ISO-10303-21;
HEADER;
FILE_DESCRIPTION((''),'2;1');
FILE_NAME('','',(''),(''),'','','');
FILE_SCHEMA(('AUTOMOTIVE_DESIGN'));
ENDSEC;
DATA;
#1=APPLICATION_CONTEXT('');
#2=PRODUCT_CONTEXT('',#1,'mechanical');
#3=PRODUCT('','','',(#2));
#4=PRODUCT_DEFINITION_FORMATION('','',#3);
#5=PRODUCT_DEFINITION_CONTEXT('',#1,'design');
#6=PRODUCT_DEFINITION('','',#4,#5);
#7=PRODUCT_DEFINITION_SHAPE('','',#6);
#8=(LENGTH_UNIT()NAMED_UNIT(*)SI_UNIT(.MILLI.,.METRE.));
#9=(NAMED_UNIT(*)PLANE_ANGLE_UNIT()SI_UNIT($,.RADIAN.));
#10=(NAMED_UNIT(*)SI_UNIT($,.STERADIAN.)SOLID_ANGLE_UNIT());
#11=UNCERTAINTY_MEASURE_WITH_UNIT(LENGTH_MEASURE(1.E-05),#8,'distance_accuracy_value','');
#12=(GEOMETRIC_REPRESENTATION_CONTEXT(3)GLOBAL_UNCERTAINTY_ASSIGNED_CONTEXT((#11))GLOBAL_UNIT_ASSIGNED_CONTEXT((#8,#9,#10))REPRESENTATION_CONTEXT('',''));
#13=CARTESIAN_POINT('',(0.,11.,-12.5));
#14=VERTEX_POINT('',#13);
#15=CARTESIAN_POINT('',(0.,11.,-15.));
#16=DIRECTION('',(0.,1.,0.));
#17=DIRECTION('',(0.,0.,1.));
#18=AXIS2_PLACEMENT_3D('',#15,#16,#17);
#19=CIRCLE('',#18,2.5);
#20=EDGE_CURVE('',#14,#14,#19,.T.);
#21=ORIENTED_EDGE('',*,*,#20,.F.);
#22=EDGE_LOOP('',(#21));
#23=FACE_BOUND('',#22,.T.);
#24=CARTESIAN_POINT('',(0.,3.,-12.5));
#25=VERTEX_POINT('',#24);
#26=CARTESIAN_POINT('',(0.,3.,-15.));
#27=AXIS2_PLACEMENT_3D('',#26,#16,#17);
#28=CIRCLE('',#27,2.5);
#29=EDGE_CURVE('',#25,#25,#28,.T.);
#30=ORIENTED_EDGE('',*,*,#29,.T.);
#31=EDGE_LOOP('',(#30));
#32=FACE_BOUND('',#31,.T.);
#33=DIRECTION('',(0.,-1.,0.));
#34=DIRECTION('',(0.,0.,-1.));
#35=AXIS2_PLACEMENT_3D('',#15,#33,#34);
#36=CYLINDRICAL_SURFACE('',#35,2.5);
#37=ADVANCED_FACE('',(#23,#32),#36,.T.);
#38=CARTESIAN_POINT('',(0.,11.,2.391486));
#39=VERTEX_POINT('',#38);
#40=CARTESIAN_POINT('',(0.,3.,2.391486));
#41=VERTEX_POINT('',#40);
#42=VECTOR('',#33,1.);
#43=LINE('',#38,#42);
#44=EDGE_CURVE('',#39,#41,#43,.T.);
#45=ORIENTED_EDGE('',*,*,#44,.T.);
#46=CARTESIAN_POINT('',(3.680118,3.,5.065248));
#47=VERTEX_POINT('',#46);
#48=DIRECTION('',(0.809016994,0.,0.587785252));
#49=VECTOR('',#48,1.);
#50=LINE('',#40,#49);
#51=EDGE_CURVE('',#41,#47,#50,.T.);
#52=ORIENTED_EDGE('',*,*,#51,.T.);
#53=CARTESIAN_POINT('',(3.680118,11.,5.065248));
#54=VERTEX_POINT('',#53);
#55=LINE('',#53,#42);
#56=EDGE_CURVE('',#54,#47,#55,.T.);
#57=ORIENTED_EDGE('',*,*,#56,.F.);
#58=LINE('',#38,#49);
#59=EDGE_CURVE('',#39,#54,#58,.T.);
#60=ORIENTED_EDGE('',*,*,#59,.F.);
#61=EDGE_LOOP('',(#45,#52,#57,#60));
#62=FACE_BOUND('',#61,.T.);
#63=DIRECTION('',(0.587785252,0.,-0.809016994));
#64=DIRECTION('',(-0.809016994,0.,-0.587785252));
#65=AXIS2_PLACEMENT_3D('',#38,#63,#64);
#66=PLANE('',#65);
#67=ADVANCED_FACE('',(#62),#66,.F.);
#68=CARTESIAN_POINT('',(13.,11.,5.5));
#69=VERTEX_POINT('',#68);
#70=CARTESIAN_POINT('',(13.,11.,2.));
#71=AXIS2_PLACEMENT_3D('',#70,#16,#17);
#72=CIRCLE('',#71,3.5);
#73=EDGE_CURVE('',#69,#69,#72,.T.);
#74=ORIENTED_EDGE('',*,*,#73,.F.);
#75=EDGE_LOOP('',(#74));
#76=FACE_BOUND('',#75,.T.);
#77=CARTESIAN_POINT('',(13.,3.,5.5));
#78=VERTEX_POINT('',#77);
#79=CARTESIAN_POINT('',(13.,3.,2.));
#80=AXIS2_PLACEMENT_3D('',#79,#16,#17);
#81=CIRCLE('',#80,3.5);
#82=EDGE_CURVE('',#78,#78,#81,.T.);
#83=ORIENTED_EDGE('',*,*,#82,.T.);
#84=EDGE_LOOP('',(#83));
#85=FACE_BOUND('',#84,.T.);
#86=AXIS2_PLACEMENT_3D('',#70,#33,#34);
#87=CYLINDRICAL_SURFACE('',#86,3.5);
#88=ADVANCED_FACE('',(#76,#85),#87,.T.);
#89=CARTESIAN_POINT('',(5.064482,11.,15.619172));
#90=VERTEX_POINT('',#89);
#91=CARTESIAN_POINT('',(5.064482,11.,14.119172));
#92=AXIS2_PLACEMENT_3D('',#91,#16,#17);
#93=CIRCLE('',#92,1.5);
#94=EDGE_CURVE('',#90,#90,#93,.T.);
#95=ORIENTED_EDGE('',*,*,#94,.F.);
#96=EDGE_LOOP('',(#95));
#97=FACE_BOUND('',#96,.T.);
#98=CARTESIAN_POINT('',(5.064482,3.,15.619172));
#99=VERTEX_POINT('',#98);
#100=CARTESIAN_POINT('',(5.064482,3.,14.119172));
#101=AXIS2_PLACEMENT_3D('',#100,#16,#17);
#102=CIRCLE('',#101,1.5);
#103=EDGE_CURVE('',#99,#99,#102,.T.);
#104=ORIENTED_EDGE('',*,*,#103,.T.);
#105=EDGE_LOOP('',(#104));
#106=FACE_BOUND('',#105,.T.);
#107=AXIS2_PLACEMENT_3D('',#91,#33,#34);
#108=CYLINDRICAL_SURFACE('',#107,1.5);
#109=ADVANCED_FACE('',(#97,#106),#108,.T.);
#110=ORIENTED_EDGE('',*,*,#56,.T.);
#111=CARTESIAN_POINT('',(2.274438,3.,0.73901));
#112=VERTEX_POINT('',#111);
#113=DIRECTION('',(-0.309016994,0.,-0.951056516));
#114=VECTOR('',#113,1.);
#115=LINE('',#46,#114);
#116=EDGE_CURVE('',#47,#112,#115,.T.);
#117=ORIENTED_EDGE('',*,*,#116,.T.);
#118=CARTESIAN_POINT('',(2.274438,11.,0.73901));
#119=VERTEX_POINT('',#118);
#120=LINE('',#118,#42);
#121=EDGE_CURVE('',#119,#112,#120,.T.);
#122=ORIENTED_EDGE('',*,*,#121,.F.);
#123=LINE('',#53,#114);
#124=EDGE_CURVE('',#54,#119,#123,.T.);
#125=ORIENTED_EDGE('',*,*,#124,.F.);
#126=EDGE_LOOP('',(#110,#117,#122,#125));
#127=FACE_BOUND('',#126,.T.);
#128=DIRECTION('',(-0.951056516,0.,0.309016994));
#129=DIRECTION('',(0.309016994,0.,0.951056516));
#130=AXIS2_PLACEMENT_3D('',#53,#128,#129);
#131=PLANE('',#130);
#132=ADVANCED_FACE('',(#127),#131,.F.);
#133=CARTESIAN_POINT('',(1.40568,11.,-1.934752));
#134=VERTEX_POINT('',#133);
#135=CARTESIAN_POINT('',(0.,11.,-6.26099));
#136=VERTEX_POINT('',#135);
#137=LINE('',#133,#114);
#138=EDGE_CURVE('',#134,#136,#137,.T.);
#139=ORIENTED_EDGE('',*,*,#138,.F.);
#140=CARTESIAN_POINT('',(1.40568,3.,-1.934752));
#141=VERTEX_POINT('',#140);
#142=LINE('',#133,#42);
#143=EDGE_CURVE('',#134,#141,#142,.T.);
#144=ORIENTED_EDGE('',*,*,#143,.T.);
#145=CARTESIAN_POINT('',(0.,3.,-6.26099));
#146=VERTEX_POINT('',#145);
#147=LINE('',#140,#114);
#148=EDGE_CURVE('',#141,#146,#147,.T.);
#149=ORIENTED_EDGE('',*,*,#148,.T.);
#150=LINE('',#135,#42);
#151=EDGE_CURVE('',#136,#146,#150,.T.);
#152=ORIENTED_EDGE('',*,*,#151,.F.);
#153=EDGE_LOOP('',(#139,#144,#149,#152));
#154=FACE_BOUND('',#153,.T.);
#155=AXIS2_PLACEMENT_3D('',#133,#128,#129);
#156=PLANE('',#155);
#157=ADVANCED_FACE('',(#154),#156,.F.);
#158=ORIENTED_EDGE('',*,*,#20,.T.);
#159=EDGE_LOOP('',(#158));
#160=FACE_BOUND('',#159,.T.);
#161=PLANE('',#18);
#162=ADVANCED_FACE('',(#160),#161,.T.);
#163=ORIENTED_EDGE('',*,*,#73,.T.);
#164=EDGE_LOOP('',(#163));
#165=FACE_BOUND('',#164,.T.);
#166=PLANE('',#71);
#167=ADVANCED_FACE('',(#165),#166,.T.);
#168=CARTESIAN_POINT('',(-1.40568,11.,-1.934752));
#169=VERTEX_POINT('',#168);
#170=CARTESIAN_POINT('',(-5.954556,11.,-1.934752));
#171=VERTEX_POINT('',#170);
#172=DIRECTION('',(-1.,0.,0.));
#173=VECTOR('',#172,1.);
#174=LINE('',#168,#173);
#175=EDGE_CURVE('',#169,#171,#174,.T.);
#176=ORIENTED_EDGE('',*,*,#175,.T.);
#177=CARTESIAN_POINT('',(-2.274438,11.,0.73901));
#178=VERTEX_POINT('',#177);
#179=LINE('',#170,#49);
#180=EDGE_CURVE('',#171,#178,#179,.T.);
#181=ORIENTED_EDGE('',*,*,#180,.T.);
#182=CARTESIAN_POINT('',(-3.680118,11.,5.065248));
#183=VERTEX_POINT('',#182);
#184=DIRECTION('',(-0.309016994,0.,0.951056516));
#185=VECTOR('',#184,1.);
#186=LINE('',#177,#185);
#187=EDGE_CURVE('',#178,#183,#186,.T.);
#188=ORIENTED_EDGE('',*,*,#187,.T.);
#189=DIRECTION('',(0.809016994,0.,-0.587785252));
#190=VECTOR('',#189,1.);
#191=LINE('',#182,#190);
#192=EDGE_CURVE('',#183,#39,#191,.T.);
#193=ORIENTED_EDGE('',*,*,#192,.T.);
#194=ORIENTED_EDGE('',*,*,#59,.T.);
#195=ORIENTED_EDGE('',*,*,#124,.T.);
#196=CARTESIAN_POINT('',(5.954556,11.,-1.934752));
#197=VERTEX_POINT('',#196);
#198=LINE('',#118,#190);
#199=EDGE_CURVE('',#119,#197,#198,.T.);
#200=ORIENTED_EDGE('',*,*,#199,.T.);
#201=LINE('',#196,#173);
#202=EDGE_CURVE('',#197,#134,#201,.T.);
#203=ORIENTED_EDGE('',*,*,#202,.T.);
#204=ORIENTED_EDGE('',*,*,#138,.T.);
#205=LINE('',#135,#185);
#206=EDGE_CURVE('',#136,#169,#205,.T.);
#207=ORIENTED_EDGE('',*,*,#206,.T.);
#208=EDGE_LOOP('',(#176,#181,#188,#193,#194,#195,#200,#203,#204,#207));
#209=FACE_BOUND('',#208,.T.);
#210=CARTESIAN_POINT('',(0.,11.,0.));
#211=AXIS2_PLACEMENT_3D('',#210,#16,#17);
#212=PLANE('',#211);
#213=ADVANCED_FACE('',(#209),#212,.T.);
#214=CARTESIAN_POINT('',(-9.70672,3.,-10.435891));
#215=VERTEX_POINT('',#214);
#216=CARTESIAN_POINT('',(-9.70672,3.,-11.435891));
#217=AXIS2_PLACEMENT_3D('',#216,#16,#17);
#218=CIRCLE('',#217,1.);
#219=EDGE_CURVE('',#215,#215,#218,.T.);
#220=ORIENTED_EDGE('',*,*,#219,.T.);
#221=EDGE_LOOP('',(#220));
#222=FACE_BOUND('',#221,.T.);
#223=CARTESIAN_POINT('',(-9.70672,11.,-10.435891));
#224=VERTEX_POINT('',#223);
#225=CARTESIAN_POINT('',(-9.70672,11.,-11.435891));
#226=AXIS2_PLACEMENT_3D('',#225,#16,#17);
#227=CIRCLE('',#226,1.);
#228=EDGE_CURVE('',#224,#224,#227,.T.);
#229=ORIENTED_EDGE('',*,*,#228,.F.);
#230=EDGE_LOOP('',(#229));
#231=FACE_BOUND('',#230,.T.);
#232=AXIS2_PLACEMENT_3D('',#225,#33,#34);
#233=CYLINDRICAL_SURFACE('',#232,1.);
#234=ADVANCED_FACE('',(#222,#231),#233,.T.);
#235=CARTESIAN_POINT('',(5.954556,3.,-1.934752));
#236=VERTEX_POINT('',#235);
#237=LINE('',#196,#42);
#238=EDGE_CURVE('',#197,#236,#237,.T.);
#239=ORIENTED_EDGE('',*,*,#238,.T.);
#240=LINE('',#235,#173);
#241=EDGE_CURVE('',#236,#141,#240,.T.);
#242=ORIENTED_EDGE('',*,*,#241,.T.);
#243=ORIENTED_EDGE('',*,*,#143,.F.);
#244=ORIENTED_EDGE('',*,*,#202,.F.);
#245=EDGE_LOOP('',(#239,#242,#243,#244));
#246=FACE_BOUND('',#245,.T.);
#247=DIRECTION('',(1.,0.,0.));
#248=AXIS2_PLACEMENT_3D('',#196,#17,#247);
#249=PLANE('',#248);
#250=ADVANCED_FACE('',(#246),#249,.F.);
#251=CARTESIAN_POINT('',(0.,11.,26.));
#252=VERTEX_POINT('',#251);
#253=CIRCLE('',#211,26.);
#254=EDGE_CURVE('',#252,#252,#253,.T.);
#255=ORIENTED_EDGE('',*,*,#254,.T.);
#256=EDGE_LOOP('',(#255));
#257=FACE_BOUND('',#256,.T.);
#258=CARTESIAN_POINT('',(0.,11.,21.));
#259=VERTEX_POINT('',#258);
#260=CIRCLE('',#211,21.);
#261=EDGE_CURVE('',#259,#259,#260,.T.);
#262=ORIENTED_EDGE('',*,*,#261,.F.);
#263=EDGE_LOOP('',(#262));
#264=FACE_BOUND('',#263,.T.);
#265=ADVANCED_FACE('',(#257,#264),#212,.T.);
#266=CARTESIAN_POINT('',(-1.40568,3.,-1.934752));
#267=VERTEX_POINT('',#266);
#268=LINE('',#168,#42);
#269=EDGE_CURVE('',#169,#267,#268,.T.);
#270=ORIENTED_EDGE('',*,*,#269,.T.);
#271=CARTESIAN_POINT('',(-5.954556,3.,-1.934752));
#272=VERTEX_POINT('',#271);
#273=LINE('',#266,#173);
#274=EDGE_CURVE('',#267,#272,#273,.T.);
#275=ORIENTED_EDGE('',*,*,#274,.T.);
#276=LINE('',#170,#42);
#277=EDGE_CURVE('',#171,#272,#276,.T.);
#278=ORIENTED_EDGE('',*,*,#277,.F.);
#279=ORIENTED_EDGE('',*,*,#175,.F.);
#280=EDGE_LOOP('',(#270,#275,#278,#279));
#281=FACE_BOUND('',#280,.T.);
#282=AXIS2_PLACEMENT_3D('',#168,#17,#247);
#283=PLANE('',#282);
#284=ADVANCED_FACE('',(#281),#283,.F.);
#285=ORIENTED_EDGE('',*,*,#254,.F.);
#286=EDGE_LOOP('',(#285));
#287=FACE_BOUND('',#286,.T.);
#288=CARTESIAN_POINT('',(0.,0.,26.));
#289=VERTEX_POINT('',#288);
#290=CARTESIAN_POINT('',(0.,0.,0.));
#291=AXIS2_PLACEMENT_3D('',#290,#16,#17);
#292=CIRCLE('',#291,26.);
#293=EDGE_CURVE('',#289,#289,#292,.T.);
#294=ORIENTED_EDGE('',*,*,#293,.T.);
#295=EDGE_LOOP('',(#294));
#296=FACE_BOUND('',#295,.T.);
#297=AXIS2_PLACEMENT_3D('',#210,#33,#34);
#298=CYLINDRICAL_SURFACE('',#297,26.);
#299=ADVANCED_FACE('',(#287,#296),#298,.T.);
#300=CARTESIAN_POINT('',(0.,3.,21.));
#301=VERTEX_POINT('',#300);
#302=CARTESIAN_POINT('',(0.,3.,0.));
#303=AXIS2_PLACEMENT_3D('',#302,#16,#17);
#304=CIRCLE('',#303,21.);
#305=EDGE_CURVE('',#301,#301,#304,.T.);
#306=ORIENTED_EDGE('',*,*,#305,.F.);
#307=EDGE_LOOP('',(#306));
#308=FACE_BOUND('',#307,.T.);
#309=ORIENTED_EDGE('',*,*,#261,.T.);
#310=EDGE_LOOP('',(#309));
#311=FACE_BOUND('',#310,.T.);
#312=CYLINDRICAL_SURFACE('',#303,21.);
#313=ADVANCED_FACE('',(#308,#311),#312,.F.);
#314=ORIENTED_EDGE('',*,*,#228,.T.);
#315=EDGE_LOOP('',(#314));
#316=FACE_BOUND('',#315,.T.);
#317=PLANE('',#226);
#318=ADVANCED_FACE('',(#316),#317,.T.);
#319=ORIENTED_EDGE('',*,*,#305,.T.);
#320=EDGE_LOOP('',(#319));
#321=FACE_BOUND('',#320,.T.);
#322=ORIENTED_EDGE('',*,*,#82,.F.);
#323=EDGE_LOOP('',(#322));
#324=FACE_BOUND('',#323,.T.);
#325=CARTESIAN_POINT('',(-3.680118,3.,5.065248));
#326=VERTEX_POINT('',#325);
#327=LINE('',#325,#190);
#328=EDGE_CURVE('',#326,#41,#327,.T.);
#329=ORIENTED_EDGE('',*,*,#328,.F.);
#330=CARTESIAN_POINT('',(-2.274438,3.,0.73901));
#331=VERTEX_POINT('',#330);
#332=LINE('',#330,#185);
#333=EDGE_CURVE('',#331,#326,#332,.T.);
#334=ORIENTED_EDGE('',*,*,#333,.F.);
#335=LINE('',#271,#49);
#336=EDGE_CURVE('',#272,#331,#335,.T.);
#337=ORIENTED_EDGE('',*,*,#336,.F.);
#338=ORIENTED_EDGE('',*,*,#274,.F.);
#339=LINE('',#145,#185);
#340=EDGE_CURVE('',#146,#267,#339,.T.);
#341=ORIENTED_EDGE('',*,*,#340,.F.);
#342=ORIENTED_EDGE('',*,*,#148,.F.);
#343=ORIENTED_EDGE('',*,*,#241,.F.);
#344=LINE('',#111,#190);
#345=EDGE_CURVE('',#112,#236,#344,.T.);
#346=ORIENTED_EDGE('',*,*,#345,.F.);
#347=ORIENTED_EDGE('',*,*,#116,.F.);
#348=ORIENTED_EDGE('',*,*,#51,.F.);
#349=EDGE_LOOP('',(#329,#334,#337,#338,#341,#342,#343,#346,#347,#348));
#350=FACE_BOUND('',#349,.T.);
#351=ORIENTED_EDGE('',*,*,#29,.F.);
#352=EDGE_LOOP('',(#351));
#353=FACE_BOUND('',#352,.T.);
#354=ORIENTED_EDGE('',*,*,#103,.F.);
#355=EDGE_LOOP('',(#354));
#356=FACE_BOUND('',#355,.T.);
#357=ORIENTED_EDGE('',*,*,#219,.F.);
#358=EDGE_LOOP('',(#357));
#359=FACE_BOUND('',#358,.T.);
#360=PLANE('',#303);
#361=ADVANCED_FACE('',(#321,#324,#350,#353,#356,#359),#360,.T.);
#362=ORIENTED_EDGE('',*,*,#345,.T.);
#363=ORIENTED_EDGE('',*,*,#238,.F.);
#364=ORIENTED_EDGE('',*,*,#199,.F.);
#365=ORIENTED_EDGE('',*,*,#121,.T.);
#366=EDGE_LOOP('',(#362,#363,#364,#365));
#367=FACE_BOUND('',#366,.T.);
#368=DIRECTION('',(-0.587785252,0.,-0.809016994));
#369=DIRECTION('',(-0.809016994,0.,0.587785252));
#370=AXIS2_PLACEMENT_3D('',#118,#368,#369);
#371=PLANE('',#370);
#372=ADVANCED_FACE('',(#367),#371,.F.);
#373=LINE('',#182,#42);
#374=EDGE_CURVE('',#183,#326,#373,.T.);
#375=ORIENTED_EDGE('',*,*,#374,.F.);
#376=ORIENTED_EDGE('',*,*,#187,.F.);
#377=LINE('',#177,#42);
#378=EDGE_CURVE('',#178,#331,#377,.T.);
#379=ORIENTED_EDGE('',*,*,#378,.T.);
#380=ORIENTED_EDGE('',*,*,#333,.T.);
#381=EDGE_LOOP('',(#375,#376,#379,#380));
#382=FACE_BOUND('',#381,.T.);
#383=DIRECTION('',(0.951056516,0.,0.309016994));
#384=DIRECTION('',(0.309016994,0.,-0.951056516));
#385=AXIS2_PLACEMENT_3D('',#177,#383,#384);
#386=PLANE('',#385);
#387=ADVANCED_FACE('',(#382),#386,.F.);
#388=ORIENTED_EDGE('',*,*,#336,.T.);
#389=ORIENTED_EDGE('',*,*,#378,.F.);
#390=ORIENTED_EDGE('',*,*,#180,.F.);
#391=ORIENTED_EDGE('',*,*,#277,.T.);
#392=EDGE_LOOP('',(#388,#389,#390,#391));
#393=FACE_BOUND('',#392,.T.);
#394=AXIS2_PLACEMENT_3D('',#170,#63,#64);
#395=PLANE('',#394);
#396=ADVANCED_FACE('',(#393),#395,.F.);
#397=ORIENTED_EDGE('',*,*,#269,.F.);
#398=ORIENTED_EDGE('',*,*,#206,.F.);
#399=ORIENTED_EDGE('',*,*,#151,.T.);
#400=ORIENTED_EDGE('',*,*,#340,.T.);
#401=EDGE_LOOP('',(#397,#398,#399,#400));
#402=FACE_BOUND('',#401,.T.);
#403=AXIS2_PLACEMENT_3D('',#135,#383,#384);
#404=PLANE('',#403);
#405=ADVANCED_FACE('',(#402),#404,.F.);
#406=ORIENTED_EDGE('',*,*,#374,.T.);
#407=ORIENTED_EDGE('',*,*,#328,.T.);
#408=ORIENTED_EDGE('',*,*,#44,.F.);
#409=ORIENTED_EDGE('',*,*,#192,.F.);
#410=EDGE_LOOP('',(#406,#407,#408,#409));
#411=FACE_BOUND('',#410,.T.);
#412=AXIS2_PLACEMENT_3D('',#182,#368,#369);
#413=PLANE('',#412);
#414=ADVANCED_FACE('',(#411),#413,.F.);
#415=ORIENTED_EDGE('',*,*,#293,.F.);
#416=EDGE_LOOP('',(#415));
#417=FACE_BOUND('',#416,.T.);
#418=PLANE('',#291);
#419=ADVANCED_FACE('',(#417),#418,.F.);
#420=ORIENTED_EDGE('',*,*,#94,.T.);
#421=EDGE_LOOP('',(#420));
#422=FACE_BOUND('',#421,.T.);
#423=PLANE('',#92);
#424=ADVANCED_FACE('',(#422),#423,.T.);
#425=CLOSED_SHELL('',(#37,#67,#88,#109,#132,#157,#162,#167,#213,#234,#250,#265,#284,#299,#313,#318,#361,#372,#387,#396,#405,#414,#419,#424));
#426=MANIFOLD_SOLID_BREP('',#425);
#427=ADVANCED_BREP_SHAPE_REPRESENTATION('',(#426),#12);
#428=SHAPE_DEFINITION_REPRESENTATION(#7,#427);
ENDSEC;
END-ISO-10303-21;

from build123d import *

# Parameters (mm, degrees)
SKETCH1_R           = 26
BOSS_EXTRUDE1_DEPTH = 11
SKETCH2_R           = 21
CUT_EXTRUDE1_DEPTH  = 8
BOSS_EXTRUDE2_DEPTH = 8
SKETCH5_R           = 1
BOSS_EXTRUDE3_DEPTH = 8
SKETCH6_R           = 2.5
BOSS_EXTRUDE4_DEPTH = 8
SKETCH7_R           = 3.5
BOSS_EXTRUDE5_DEPTH = 8
SKETCH11_R          = 1.5
BOSS_EXTRUDE6_DEPTH = 8


with BuildPart() as part:
    # Sketch1 → Boss-Extrude1 (new body)
    with BuildSketch(Plane(origin=(0, 0, 0), x_dir=(1, 0, 0), z_dir=(0, 1, 0))):
        with Locations(Location((0, 0, 0), (0, 0, 270))):
            Circle(SKETCH1_R)
    extrude(amount=BOSS_EXTRUDE1_DEPTH)

    # Sketch2 → Cut-Extrude1 (cut)
    with BuildSketch(Plane(origin=(0, 11, 0), x_dir=(1, 0, 0), z_dir=(0, 1, 0))):
        with Locations(Location((0, 0, 0), (0, 0, 270))):
            Circle(SKETCH2_R)
    extrude(amount=-CUT_EXTRUDE1_DEPTH, mode=Mode.SUBTRACT)

    # Sketch3 → Boss-Extrude2 (add)
    with BuildSketch(Plane(origin=(0, 3, 0), x_dir=(1, 0, 0), z_dir=(0, 1, 0))):
        Polygon((0, 6.260990337), (-1.405679911, 1.934752416), (-5.954555658, 1.934752416), (-2.274437874, -0.739009663), (-3.680117785, -5.065247584), (0, -2.391485505), (3.680117785, -5.065247584), (2.274437874, -0.739009663), (5.954555658, 1.934752416), (1.405679911, 1.934752416), align=None)
    extrude(amount=BOSS_EXTRUDE2_DEPTH)

    # Sketch5 → Boss-Extrude3 (add)
    with BuildSketch(Plane(origin=(0, 3, 0), x_dir=(1, 0, 0), z_dir=(0, 1, 0))):
        with Locations(Location((-9.706719743, 11.435890513, 0), (0, 0, 270))):
            Circle(SKETCH5_R)
    extrude(amount=BOSS_EXTRUDE3_DEPTH)

    # Sketch6 → Boss-Extrude4 (add)
    with BuildSketch(Plane(origin=(0, 3, 0), x_dir=(1, 0, 0), z_dir=(0, 1, 0))):
        with Locations(Location((0, 15, 0), (0, 0, 270))):
            Circle(SKETCH6_R)
    extrude(amount=BOSS_EXTRUDE4_DEPTH)

    # Sketch7 → Boss-Extrude5 (add)
    with BuildSketch(Plane(origin=(0, 3, 0), x_dir=(1, 0, 0), z_dir=(0, 1, 0))):
        with Locations(Location((13, -2, 0), (0, 0, 270))):
            Circle(SKETCH7_R)
    extrude(amount=BOSS_EXTRUDE5_DEPTH)

    # Sketch11 → Boss-Extrude6 (add)
    with BuildSketch(Plane(origin=(0, 3, 0), x_dir=(1, 0, 0), z_dir=(0, 1, 0))):
        with Locations(Location((5.064482164, -14.119172086, 0), (0, 0, 270))):
            Circle(SKETCH11_R)
    extrude(amount=BOSS_EXTRUDE6_DEPTH)


solid = part.part
